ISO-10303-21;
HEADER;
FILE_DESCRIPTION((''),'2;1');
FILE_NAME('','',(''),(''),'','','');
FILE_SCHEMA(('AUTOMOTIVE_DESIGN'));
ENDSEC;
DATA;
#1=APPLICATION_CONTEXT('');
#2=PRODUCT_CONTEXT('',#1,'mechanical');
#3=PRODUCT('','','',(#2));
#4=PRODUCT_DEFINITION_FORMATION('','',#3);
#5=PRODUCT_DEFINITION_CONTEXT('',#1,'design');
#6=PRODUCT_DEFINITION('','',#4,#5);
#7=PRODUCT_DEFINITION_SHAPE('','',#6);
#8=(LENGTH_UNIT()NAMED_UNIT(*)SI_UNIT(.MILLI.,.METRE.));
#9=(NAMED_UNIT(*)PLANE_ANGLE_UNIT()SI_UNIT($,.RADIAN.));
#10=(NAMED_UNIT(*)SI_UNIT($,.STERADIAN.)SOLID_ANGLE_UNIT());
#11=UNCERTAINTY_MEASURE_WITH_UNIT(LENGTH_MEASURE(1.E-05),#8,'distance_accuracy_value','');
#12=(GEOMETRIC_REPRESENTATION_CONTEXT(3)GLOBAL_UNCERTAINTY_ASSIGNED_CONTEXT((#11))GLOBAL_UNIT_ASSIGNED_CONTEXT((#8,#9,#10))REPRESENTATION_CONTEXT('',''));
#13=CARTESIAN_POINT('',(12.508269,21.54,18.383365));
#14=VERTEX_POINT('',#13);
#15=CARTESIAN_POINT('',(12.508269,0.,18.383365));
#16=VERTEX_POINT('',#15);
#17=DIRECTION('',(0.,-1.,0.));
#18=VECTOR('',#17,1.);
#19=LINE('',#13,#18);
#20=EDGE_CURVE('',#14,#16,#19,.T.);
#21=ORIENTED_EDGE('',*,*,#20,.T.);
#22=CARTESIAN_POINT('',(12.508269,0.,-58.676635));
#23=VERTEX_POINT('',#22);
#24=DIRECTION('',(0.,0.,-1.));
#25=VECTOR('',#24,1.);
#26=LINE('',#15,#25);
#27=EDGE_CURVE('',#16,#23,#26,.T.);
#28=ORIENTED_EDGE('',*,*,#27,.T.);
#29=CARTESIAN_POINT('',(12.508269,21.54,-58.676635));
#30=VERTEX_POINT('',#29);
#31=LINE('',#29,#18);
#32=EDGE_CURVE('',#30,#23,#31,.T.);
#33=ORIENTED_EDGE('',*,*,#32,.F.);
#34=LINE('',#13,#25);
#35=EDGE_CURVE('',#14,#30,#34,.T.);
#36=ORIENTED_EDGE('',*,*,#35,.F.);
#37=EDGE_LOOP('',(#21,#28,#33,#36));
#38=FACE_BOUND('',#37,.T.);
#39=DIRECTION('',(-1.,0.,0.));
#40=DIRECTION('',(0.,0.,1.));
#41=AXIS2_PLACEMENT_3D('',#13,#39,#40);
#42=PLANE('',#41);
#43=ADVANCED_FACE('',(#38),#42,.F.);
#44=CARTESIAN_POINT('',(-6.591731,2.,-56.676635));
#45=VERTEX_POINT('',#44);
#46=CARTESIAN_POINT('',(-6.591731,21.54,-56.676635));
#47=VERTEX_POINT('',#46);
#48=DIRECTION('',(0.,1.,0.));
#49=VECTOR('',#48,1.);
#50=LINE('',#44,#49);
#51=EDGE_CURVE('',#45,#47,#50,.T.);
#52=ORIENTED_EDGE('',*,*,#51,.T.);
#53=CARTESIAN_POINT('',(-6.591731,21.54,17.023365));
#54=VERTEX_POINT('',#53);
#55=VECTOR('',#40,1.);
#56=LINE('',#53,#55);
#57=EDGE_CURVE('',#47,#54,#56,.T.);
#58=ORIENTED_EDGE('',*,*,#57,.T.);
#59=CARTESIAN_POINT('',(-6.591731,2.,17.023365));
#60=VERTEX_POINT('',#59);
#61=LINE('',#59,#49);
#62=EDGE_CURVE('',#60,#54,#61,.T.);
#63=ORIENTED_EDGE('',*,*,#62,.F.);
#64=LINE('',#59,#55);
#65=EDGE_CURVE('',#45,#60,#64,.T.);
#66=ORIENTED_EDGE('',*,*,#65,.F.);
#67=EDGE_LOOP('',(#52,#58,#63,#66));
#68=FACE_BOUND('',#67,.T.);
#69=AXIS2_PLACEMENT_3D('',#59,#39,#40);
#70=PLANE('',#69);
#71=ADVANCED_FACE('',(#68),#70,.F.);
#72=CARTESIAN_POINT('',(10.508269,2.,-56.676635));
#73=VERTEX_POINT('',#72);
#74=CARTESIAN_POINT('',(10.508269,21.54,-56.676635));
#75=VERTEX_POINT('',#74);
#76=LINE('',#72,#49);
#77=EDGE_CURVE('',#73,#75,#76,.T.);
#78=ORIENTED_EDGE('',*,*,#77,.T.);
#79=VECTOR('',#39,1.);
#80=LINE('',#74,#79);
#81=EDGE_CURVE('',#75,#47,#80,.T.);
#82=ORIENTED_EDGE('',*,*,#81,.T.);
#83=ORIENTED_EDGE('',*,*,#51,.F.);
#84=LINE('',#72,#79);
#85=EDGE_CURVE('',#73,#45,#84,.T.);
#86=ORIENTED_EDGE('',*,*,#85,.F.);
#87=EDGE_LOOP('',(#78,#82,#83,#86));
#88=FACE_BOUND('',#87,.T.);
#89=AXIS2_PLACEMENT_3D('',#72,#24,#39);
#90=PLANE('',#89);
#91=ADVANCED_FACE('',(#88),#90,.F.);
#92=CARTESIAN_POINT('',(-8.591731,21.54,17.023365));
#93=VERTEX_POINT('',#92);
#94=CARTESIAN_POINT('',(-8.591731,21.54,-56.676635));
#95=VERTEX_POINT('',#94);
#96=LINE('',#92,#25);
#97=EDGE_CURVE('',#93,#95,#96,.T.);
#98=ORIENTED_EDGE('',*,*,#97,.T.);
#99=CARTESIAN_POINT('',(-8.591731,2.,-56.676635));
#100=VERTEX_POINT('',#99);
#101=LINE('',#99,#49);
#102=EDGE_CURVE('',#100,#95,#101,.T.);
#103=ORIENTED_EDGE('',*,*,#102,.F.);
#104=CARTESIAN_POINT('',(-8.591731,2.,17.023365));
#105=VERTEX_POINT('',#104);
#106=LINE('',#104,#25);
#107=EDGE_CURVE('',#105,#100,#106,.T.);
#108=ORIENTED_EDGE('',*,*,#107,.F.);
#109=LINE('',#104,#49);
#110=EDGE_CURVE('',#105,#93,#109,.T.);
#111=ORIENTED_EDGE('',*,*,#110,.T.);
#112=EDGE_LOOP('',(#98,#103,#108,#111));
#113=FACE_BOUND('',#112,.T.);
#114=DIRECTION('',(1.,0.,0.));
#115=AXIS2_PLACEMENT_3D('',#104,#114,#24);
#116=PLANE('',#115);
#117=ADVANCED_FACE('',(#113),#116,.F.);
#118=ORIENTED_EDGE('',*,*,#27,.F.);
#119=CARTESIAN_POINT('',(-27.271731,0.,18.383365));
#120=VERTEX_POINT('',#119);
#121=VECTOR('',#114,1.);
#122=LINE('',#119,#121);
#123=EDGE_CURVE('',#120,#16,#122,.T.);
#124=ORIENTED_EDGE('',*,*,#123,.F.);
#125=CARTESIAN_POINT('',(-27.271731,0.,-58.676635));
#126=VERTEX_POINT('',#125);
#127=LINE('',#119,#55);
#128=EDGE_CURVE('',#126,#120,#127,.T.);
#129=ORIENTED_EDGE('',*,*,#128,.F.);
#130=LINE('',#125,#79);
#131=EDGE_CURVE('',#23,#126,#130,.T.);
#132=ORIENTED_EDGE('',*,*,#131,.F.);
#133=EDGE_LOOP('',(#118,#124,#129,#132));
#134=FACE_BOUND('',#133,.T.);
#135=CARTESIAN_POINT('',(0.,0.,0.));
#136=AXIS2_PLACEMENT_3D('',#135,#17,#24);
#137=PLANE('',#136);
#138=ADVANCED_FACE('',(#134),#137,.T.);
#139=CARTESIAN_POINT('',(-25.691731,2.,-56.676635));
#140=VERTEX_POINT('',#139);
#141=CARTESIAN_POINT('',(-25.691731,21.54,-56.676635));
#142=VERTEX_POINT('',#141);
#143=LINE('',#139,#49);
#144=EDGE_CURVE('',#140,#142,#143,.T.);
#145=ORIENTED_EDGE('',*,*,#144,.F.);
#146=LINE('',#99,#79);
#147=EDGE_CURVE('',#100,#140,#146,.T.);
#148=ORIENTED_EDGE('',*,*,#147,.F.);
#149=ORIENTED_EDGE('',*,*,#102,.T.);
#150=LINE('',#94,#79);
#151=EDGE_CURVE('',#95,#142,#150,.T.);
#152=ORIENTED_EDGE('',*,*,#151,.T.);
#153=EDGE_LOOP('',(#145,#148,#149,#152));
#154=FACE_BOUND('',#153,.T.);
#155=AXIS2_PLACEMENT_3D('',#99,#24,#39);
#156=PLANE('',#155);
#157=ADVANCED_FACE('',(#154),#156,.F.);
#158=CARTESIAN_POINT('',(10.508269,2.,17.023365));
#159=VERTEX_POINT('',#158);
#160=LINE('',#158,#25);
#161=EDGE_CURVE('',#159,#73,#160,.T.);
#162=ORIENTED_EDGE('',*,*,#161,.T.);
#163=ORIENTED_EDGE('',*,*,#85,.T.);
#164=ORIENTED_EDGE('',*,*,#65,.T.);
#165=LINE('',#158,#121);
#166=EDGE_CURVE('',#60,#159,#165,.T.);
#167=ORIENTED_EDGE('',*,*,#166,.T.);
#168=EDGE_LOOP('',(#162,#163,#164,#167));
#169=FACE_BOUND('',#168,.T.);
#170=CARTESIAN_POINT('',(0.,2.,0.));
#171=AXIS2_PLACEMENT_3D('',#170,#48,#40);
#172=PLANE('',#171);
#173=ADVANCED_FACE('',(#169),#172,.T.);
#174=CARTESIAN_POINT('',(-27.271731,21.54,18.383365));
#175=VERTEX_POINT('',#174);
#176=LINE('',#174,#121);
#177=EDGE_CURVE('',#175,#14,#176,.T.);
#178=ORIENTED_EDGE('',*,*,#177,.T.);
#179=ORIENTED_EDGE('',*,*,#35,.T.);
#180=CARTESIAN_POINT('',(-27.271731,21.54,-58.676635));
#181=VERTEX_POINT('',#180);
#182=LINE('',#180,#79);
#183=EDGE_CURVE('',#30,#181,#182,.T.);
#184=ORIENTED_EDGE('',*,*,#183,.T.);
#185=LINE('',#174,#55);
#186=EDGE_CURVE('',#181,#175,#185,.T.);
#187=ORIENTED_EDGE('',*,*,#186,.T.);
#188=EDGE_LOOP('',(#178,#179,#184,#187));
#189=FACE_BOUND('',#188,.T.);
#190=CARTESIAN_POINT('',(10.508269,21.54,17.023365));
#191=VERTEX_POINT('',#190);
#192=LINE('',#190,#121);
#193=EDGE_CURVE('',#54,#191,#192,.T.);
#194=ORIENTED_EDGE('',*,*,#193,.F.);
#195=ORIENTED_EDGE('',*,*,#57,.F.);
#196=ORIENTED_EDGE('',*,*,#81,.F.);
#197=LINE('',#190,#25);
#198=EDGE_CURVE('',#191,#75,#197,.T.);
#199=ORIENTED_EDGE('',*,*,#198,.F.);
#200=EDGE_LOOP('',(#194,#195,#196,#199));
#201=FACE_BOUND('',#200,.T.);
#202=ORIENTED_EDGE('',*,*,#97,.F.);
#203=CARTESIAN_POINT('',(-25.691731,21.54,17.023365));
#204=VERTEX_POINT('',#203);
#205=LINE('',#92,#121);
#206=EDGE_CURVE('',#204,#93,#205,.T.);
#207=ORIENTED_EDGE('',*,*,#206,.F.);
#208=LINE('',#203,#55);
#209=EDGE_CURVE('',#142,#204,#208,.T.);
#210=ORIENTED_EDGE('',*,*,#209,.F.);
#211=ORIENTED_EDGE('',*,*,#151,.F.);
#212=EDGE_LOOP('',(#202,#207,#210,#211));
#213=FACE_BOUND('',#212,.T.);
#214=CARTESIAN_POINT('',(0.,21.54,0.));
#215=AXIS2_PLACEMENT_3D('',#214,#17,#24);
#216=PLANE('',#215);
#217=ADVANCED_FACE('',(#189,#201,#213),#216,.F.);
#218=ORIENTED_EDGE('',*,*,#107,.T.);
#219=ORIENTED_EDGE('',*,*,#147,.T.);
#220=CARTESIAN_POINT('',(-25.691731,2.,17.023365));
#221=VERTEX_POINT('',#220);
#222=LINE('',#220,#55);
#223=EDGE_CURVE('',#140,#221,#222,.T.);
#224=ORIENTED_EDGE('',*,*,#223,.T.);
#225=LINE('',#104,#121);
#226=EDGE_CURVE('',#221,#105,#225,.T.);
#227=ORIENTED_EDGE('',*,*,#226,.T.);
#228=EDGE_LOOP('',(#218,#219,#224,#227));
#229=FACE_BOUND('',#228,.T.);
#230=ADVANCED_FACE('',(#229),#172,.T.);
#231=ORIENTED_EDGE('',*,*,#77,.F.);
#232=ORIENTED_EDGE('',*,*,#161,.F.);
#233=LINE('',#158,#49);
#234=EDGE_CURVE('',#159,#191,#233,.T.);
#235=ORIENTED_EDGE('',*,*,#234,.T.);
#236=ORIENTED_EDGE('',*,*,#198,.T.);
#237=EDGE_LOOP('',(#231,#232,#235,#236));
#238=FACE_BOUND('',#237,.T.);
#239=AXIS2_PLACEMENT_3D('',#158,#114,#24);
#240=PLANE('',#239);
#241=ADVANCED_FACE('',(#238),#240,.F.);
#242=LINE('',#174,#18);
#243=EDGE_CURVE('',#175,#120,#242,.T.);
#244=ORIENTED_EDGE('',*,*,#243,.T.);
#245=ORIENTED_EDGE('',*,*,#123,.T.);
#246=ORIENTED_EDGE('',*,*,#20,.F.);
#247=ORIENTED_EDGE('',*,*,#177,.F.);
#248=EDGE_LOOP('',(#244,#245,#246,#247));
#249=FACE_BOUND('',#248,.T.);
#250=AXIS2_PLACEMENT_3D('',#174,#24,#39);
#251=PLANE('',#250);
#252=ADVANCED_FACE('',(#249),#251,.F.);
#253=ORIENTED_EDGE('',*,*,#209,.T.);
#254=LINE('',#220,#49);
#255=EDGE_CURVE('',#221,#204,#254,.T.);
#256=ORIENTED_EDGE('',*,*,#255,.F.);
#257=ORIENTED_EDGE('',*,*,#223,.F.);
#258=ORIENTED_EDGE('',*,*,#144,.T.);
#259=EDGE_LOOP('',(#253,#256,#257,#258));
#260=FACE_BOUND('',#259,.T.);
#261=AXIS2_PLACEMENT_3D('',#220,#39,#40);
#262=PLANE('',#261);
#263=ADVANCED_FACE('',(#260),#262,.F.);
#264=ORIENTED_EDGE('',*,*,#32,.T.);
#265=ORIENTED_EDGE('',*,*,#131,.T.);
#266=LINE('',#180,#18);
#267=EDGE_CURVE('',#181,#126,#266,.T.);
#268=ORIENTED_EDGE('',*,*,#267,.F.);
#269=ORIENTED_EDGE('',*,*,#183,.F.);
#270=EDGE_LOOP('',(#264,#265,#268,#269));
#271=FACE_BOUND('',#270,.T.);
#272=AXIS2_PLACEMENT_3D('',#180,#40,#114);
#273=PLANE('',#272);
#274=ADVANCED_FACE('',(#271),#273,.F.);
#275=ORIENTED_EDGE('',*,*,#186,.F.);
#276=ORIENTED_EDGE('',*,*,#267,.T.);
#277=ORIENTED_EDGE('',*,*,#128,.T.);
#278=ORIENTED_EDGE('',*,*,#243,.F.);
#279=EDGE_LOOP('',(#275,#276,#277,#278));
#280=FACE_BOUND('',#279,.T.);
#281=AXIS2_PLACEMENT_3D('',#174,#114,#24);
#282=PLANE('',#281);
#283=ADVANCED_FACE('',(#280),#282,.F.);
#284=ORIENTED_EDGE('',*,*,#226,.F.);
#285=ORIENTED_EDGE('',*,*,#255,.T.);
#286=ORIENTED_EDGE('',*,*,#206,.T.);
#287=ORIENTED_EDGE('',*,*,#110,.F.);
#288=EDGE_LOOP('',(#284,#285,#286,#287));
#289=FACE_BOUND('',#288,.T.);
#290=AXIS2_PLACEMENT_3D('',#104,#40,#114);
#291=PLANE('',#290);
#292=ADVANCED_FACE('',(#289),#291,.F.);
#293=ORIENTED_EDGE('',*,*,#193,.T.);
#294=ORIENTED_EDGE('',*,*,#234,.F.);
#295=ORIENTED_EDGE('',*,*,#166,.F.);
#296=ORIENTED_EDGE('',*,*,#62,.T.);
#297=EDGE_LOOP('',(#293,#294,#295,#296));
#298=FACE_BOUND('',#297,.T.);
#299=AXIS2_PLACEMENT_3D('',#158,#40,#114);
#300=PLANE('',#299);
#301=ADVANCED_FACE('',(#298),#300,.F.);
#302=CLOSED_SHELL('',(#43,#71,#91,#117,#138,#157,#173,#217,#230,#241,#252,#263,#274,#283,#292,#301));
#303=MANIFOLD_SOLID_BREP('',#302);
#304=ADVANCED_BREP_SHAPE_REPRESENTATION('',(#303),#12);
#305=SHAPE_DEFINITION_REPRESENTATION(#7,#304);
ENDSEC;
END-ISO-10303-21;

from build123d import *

# Parameters (mm, degrees)
SKETCH1_W           = 39.78
SKETCH1_H           = 77.06
BOSS_EXTRUDE1_DEPTH = 21.54
SKETCH2_W           = 17.1
SKETCH2_H           = 73.7
CUT_EXTRUDE1_DEPTH  = 19.54


with BuildPart() as part:
    # Sketch1 → Boss-Extrude1 (new body)
    with BuildSketch(Plane(origin=(0, 0, 0), x_dir=(1, 0, 0), z_dir=(0, 1, 0))):
        with Locations((-7.381730769, 20.146634615)):
            Rectangle(SKETCH1_W, SKETCH1_H)
    extrude(amount=BOSS_EXTRUDE1_DEPTH)

    # Sketch2 → Cut-Extrude1 (cut)
    with BuildSketch(Plane(origin=(0, 21.54, 0), x_dir=(1, 0, 0), z_dir=(0, 1, 0))):
        with Locations((1.958269231, 19.826634615)):
            Rectangle(SKETCH2_W, SKETCH2_H)
        with Locations((-17.141730769, 19.826634615)):
            Rectangle(SKETCH2_W, SKETCH2_H)
    extrude(amount=-CUT_EXTRUDE1_DEPTH, mode=Mode.SUBTRACT)


solid = part.part
